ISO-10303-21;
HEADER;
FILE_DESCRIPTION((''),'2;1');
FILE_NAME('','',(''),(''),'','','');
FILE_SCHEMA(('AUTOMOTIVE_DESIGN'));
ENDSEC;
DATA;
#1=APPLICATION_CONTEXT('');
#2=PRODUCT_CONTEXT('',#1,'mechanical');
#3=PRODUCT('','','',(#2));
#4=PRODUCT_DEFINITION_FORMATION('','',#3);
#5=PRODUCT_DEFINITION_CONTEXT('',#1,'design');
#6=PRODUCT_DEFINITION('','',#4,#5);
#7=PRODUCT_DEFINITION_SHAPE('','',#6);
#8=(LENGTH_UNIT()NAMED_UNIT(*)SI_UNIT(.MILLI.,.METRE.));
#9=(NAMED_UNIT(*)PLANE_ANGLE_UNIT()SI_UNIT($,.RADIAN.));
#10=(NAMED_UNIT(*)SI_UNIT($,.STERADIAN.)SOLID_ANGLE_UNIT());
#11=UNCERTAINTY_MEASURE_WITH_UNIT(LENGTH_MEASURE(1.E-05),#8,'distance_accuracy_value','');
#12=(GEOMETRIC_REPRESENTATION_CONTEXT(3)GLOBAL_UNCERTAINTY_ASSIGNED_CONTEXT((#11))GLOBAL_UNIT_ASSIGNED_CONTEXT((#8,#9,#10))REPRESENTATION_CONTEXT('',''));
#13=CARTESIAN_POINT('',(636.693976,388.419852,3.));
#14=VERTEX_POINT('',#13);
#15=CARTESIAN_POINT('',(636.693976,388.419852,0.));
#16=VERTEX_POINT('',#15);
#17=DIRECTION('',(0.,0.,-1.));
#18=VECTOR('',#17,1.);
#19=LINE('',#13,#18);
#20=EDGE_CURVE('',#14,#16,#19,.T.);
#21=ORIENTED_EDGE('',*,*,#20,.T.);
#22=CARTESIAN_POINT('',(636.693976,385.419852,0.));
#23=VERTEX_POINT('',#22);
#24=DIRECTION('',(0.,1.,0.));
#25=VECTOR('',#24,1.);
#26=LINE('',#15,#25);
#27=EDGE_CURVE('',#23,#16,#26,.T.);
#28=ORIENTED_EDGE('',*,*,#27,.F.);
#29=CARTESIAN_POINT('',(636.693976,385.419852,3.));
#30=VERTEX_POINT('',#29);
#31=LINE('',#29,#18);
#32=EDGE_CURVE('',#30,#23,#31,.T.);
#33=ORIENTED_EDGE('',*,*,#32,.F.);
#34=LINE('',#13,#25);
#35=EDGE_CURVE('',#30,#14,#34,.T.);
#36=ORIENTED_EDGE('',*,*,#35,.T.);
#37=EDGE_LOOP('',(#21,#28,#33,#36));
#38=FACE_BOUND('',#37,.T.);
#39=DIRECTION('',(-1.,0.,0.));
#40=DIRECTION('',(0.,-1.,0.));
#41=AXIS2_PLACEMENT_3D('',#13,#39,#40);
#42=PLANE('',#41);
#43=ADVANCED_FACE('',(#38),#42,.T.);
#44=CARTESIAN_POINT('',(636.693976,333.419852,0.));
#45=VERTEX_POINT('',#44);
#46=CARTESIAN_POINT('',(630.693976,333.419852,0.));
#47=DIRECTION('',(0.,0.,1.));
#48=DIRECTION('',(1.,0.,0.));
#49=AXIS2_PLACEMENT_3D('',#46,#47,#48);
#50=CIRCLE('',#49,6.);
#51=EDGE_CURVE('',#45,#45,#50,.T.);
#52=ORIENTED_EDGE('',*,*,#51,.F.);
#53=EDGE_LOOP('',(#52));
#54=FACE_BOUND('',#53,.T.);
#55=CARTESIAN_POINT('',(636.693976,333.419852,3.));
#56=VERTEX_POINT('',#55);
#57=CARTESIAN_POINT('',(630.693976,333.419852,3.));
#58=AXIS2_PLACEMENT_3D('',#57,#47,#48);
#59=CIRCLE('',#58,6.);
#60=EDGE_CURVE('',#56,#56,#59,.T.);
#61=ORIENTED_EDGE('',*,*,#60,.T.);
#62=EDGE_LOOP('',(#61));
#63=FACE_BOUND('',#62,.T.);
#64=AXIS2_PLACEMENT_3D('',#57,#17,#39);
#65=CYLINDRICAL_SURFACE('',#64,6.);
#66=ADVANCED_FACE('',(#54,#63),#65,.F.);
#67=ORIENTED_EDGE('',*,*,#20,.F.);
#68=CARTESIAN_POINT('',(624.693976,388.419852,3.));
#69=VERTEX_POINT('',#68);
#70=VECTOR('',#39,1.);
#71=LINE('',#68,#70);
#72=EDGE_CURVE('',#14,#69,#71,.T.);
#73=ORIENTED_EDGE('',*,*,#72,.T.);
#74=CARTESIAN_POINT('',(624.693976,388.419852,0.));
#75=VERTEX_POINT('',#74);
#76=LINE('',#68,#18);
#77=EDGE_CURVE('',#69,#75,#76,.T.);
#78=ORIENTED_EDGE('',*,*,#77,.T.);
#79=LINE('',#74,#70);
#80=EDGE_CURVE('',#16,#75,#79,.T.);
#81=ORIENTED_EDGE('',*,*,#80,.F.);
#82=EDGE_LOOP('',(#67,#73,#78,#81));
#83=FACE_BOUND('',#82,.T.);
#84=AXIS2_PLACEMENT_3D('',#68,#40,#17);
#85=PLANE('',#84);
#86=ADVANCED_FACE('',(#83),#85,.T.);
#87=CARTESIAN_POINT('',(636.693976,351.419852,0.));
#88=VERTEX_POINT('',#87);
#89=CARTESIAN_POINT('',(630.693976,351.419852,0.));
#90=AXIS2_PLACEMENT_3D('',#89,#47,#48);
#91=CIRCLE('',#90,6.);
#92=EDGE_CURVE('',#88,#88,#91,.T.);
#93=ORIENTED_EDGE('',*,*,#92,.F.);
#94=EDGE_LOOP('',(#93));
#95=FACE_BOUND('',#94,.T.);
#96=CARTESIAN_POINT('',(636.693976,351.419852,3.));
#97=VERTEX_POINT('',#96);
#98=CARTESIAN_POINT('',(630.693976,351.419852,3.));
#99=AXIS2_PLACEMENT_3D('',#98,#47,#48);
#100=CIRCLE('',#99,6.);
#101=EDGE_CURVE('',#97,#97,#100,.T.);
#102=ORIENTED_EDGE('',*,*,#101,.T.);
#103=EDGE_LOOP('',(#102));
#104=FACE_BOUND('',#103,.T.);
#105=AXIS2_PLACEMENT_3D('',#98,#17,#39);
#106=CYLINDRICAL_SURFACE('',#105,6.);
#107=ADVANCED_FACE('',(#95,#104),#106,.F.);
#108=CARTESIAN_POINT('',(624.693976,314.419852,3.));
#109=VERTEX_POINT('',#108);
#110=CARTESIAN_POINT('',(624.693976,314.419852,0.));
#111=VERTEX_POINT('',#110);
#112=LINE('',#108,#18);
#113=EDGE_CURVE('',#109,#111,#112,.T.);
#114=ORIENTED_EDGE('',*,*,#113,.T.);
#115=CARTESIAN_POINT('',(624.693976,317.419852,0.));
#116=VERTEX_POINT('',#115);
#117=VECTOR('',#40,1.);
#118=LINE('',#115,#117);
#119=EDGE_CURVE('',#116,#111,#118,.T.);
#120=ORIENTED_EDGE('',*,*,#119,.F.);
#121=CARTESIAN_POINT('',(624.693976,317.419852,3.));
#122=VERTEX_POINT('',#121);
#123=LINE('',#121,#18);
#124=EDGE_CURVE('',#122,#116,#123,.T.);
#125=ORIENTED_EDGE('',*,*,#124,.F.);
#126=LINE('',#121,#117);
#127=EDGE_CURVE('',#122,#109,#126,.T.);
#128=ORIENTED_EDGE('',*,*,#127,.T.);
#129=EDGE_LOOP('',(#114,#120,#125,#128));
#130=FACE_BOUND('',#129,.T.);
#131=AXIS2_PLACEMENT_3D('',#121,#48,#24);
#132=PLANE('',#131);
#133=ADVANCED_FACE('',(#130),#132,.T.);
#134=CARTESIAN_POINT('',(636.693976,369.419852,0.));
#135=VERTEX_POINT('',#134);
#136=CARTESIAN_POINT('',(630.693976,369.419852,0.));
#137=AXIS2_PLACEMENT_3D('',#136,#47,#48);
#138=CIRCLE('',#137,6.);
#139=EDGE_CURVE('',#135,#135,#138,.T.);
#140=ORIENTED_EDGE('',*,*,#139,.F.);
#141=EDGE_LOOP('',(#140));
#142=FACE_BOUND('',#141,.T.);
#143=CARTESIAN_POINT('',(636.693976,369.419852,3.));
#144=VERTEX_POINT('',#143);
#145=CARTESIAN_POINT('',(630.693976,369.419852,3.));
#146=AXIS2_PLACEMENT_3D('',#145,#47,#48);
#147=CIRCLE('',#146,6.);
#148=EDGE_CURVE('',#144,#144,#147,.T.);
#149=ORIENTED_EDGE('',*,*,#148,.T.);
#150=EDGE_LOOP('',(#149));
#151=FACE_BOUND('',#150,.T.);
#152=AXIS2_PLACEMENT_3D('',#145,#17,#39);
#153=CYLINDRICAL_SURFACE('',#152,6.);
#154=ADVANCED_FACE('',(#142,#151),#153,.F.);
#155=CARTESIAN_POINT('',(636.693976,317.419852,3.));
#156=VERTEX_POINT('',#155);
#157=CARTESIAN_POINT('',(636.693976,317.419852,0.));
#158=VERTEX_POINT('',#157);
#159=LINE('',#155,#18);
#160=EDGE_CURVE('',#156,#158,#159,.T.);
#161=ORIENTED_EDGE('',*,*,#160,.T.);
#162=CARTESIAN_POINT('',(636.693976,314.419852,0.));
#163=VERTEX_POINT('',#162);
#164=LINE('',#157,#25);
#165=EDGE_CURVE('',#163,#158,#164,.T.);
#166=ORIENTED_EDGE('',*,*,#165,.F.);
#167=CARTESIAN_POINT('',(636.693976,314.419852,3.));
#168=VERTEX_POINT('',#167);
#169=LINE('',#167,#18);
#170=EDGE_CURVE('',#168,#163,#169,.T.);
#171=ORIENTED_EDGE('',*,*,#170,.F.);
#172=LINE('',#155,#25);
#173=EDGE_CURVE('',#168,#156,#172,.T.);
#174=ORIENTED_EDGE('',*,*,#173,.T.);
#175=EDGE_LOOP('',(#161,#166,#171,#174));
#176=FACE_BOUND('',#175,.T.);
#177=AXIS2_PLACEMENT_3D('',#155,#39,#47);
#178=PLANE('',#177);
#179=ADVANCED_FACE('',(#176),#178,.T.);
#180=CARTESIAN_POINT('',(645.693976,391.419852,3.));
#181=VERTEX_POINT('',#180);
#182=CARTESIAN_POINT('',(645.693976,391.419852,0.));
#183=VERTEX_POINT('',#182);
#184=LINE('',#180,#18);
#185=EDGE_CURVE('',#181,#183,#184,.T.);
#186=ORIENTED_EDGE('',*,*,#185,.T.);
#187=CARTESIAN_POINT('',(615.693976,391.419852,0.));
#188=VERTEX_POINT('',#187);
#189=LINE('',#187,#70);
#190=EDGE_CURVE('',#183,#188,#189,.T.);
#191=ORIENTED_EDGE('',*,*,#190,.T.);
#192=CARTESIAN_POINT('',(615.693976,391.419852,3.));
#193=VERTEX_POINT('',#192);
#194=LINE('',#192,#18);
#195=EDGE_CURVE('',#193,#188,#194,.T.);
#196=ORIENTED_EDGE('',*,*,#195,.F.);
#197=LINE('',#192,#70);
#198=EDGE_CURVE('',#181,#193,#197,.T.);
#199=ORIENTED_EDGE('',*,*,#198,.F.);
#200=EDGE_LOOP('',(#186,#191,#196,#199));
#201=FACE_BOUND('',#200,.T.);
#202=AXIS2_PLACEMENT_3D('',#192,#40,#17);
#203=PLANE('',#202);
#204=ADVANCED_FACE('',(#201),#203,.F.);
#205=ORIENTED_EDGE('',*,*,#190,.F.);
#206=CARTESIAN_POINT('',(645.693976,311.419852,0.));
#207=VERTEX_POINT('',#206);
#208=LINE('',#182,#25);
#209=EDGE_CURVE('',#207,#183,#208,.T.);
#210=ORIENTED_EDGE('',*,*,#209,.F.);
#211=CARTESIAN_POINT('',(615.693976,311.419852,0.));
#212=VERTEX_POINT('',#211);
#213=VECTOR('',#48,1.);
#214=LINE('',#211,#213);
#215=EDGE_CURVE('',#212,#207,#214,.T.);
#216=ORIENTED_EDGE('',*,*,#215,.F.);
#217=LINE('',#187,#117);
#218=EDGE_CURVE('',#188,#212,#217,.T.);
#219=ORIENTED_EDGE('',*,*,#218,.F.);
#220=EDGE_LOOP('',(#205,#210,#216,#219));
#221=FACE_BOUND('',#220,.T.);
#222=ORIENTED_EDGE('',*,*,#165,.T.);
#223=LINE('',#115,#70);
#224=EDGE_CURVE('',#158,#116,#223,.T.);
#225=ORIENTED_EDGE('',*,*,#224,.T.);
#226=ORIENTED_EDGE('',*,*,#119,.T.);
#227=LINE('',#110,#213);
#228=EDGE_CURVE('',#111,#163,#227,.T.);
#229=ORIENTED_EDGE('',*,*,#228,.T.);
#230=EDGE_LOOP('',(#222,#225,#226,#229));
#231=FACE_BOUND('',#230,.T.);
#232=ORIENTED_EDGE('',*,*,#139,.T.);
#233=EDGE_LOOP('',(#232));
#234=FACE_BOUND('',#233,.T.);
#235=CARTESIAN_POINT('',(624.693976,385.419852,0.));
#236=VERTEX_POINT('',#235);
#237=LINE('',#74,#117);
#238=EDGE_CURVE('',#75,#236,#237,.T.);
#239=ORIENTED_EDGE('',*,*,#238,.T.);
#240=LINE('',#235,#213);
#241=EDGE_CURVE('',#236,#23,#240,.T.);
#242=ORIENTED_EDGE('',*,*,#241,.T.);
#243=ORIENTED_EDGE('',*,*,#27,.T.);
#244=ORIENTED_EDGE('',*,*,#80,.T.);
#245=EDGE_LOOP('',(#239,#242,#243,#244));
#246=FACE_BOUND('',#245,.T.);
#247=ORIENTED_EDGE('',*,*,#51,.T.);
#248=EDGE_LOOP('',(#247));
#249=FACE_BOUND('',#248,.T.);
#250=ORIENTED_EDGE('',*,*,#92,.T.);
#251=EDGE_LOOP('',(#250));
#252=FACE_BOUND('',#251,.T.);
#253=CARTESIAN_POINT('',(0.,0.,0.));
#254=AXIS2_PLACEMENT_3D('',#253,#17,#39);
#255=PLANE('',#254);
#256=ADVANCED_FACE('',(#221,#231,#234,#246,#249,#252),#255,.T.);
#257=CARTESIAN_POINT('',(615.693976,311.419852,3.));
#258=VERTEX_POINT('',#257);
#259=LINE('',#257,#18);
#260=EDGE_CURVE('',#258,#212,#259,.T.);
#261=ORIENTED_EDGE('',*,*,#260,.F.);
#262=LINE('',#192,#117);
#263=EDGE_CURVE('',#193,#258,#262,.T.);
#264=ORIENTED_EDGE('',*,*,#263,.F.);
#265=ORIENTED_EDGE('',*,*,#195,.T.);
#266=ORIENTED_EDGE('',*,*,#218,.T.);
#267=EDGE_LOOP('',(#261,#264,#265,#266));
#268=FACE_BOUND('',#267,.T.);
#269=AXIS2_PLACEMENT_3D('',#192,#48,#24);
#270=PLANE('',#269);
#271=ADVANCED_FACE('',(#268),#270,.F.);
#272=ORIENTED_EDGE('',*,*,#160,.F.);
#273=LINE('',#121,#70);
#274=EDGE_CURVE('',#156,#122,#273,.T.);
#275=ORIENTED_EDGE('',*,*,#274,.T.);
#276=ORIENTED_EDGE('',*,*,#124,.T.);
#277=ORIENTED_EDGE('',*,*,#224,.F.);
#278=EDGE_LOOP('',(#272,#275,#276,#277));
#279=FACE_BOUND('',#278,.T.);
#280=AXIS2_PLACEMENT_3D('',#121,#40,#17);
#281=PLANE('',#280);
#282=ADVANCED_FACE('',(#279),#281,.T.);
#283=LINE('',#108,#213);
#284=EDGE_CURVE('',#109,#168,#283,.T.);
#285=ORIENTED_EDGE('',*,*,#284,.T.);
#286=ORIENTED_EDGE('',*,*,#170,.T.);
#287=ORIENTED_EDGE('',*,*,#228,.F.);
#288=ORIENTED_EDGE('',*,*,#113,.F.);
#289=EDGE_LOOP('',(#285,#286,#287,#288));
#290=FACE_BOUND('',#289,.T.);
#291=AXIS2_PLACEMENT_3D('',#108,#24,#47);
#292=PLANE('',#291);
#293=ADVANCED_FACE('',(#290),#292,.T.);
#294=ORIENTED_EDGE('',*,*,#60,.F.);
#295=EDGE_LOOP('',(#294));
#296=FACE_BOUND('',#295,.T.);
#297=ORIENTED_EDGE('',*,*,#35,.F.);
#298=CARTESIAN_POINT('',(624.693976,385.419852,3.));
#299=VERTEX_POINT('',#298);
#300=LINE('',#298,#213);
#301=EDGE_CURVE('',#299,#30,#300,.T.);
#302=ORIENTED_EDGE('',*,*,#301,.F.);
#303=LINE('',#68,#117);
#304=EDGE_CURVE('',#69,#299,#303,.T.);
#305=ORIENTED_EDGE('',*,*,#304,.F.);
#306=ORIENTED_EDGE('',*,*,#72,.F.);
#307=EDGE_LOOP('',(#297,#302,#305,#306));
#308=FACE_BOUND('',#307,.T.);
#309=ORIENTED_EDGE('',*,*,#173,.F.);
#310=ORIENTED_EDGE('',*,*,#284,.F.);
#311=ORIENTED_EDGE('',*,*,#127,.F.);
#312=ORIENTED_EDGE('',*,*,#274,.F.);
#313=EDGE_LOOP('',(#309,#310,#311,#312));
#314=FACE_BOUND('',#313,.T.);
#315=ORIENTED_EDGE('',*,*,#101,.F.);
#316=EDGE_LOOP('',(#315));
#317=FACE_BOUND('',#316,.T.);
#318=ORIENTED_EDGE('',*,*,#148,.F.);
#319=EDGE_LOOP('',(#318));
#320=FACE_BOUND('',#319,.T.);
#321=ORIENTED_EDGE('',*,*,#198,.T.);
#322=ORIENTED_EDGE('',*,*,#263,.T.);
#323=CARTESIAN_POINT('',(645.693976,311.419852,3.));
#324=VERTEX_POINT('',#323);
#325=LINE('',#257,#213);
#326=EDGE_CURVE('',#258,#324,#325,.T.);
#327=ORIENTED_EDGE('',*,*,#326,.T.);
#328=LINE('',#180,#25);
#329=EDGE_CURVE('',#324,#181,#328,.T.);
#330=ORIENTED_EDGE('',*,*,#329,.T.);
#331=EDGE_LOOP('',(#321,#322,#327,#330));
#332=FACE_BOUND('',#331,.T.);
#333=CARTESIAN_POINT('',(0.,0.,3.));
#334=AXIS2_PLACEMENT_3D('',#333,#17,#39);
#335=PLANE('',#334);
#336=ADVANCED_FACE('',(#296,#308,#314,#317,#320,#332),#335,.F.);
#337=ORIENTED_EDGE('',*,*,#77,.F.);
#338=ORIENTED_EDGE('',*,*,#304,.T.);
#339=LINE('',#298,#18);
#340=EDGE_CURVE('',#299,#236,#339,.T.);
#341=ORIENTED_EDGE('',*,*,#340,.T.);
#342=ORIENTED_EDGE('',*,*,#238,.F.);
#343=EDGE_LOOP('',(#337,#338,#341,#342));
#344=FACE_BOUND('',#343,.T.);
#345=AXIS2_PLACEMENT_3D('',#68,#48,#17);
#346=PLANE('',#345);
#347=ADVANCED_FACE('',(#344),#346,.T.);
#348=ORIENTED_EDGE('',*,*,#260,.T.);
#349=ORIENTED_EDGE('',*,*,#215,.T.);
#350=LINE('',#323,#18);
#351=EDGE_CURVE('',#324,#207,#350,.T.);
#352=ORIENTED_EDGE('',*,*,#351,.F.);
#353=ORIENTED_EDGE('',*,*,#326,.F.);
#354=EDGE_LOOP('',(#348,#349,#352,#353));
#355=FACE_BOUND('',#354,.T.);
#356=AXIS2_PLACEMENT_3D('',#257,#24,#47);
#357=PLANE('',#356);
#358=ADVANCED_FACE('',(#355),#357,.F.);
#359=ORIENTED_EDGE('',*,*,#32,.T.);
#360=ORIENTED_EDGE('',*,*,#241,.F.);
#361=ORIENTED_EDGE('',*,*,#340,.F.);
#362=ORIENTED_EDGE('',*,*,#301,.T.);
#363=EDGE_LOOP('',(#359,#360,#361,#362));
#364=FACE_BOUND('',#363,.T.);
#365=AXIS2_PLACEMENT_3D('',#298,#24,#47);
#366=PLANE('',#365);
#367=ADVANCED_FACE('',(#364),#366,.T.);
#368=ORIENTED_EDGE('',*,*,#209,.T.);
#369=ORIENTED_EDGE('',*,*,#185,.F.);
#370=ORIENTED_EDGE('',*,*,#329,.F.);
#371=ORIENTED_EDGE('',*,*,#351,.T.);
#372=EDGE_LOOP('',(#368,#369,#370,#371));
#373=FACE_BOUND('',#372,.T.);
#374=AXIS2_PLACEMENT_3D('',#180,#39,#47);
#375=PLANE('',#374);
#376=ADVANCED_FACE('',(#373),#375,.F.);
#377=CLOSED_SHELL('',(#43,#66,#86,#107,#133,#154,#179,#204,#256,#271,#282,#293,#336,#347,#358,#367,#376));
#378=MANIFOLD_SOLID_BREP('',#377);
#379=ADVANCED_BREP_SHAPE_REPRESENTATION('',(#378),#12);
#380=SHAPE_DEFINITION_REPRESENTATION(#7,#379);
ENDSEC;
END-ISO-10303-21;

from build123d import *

# Parameters (mm, degrees)
SKETCH_1_W      = 30
SKETCH_1_H      = 80
SKETCH_1_R      = 6
SKETCH_1_W_2    = 12
SKETCH_1_H_2    = 3
EXTRUDE_1_DEPTH = 3


with BuildPart() as part:
    # 草图1 → 凸台-拉伸1 (new body)
    with BuildSketch(Plane.XY):
        with Locations((630.693975789, 351.419851644)):
            Rectangle(SKETCH_1_W, SKETCH_1_H)
        with Locations((630.693975789, 351.419851644)):
            Circle(SKETCH_1_R, mode=Mode.SUBTRACT)
        with Locations((630.693975789, 369.419851644)):
            Circle(SKETCH_1_R, mode=Mode.SUBTRACT)
        with Locations((630.693975789, 333.419851644)):
            Circle(SKETCH_1_R, mode=Mode.SUBTRACT)
        with Locations((630.693975789, 315.919851644)):
            Rectangle(SKETCH_1_W_2, SKETCH_1_H_2, mode=Mode.SUBTRACT)
        with Locations((630.693975789, 386.919851644)):
            Rectangle(SKETCH_1_W_2, SKETCH_1_H_2, mode=Mode.SUBTRACT)
    extrude(amount=EXTRUDE_1_DEPTH)


solid = part.part
